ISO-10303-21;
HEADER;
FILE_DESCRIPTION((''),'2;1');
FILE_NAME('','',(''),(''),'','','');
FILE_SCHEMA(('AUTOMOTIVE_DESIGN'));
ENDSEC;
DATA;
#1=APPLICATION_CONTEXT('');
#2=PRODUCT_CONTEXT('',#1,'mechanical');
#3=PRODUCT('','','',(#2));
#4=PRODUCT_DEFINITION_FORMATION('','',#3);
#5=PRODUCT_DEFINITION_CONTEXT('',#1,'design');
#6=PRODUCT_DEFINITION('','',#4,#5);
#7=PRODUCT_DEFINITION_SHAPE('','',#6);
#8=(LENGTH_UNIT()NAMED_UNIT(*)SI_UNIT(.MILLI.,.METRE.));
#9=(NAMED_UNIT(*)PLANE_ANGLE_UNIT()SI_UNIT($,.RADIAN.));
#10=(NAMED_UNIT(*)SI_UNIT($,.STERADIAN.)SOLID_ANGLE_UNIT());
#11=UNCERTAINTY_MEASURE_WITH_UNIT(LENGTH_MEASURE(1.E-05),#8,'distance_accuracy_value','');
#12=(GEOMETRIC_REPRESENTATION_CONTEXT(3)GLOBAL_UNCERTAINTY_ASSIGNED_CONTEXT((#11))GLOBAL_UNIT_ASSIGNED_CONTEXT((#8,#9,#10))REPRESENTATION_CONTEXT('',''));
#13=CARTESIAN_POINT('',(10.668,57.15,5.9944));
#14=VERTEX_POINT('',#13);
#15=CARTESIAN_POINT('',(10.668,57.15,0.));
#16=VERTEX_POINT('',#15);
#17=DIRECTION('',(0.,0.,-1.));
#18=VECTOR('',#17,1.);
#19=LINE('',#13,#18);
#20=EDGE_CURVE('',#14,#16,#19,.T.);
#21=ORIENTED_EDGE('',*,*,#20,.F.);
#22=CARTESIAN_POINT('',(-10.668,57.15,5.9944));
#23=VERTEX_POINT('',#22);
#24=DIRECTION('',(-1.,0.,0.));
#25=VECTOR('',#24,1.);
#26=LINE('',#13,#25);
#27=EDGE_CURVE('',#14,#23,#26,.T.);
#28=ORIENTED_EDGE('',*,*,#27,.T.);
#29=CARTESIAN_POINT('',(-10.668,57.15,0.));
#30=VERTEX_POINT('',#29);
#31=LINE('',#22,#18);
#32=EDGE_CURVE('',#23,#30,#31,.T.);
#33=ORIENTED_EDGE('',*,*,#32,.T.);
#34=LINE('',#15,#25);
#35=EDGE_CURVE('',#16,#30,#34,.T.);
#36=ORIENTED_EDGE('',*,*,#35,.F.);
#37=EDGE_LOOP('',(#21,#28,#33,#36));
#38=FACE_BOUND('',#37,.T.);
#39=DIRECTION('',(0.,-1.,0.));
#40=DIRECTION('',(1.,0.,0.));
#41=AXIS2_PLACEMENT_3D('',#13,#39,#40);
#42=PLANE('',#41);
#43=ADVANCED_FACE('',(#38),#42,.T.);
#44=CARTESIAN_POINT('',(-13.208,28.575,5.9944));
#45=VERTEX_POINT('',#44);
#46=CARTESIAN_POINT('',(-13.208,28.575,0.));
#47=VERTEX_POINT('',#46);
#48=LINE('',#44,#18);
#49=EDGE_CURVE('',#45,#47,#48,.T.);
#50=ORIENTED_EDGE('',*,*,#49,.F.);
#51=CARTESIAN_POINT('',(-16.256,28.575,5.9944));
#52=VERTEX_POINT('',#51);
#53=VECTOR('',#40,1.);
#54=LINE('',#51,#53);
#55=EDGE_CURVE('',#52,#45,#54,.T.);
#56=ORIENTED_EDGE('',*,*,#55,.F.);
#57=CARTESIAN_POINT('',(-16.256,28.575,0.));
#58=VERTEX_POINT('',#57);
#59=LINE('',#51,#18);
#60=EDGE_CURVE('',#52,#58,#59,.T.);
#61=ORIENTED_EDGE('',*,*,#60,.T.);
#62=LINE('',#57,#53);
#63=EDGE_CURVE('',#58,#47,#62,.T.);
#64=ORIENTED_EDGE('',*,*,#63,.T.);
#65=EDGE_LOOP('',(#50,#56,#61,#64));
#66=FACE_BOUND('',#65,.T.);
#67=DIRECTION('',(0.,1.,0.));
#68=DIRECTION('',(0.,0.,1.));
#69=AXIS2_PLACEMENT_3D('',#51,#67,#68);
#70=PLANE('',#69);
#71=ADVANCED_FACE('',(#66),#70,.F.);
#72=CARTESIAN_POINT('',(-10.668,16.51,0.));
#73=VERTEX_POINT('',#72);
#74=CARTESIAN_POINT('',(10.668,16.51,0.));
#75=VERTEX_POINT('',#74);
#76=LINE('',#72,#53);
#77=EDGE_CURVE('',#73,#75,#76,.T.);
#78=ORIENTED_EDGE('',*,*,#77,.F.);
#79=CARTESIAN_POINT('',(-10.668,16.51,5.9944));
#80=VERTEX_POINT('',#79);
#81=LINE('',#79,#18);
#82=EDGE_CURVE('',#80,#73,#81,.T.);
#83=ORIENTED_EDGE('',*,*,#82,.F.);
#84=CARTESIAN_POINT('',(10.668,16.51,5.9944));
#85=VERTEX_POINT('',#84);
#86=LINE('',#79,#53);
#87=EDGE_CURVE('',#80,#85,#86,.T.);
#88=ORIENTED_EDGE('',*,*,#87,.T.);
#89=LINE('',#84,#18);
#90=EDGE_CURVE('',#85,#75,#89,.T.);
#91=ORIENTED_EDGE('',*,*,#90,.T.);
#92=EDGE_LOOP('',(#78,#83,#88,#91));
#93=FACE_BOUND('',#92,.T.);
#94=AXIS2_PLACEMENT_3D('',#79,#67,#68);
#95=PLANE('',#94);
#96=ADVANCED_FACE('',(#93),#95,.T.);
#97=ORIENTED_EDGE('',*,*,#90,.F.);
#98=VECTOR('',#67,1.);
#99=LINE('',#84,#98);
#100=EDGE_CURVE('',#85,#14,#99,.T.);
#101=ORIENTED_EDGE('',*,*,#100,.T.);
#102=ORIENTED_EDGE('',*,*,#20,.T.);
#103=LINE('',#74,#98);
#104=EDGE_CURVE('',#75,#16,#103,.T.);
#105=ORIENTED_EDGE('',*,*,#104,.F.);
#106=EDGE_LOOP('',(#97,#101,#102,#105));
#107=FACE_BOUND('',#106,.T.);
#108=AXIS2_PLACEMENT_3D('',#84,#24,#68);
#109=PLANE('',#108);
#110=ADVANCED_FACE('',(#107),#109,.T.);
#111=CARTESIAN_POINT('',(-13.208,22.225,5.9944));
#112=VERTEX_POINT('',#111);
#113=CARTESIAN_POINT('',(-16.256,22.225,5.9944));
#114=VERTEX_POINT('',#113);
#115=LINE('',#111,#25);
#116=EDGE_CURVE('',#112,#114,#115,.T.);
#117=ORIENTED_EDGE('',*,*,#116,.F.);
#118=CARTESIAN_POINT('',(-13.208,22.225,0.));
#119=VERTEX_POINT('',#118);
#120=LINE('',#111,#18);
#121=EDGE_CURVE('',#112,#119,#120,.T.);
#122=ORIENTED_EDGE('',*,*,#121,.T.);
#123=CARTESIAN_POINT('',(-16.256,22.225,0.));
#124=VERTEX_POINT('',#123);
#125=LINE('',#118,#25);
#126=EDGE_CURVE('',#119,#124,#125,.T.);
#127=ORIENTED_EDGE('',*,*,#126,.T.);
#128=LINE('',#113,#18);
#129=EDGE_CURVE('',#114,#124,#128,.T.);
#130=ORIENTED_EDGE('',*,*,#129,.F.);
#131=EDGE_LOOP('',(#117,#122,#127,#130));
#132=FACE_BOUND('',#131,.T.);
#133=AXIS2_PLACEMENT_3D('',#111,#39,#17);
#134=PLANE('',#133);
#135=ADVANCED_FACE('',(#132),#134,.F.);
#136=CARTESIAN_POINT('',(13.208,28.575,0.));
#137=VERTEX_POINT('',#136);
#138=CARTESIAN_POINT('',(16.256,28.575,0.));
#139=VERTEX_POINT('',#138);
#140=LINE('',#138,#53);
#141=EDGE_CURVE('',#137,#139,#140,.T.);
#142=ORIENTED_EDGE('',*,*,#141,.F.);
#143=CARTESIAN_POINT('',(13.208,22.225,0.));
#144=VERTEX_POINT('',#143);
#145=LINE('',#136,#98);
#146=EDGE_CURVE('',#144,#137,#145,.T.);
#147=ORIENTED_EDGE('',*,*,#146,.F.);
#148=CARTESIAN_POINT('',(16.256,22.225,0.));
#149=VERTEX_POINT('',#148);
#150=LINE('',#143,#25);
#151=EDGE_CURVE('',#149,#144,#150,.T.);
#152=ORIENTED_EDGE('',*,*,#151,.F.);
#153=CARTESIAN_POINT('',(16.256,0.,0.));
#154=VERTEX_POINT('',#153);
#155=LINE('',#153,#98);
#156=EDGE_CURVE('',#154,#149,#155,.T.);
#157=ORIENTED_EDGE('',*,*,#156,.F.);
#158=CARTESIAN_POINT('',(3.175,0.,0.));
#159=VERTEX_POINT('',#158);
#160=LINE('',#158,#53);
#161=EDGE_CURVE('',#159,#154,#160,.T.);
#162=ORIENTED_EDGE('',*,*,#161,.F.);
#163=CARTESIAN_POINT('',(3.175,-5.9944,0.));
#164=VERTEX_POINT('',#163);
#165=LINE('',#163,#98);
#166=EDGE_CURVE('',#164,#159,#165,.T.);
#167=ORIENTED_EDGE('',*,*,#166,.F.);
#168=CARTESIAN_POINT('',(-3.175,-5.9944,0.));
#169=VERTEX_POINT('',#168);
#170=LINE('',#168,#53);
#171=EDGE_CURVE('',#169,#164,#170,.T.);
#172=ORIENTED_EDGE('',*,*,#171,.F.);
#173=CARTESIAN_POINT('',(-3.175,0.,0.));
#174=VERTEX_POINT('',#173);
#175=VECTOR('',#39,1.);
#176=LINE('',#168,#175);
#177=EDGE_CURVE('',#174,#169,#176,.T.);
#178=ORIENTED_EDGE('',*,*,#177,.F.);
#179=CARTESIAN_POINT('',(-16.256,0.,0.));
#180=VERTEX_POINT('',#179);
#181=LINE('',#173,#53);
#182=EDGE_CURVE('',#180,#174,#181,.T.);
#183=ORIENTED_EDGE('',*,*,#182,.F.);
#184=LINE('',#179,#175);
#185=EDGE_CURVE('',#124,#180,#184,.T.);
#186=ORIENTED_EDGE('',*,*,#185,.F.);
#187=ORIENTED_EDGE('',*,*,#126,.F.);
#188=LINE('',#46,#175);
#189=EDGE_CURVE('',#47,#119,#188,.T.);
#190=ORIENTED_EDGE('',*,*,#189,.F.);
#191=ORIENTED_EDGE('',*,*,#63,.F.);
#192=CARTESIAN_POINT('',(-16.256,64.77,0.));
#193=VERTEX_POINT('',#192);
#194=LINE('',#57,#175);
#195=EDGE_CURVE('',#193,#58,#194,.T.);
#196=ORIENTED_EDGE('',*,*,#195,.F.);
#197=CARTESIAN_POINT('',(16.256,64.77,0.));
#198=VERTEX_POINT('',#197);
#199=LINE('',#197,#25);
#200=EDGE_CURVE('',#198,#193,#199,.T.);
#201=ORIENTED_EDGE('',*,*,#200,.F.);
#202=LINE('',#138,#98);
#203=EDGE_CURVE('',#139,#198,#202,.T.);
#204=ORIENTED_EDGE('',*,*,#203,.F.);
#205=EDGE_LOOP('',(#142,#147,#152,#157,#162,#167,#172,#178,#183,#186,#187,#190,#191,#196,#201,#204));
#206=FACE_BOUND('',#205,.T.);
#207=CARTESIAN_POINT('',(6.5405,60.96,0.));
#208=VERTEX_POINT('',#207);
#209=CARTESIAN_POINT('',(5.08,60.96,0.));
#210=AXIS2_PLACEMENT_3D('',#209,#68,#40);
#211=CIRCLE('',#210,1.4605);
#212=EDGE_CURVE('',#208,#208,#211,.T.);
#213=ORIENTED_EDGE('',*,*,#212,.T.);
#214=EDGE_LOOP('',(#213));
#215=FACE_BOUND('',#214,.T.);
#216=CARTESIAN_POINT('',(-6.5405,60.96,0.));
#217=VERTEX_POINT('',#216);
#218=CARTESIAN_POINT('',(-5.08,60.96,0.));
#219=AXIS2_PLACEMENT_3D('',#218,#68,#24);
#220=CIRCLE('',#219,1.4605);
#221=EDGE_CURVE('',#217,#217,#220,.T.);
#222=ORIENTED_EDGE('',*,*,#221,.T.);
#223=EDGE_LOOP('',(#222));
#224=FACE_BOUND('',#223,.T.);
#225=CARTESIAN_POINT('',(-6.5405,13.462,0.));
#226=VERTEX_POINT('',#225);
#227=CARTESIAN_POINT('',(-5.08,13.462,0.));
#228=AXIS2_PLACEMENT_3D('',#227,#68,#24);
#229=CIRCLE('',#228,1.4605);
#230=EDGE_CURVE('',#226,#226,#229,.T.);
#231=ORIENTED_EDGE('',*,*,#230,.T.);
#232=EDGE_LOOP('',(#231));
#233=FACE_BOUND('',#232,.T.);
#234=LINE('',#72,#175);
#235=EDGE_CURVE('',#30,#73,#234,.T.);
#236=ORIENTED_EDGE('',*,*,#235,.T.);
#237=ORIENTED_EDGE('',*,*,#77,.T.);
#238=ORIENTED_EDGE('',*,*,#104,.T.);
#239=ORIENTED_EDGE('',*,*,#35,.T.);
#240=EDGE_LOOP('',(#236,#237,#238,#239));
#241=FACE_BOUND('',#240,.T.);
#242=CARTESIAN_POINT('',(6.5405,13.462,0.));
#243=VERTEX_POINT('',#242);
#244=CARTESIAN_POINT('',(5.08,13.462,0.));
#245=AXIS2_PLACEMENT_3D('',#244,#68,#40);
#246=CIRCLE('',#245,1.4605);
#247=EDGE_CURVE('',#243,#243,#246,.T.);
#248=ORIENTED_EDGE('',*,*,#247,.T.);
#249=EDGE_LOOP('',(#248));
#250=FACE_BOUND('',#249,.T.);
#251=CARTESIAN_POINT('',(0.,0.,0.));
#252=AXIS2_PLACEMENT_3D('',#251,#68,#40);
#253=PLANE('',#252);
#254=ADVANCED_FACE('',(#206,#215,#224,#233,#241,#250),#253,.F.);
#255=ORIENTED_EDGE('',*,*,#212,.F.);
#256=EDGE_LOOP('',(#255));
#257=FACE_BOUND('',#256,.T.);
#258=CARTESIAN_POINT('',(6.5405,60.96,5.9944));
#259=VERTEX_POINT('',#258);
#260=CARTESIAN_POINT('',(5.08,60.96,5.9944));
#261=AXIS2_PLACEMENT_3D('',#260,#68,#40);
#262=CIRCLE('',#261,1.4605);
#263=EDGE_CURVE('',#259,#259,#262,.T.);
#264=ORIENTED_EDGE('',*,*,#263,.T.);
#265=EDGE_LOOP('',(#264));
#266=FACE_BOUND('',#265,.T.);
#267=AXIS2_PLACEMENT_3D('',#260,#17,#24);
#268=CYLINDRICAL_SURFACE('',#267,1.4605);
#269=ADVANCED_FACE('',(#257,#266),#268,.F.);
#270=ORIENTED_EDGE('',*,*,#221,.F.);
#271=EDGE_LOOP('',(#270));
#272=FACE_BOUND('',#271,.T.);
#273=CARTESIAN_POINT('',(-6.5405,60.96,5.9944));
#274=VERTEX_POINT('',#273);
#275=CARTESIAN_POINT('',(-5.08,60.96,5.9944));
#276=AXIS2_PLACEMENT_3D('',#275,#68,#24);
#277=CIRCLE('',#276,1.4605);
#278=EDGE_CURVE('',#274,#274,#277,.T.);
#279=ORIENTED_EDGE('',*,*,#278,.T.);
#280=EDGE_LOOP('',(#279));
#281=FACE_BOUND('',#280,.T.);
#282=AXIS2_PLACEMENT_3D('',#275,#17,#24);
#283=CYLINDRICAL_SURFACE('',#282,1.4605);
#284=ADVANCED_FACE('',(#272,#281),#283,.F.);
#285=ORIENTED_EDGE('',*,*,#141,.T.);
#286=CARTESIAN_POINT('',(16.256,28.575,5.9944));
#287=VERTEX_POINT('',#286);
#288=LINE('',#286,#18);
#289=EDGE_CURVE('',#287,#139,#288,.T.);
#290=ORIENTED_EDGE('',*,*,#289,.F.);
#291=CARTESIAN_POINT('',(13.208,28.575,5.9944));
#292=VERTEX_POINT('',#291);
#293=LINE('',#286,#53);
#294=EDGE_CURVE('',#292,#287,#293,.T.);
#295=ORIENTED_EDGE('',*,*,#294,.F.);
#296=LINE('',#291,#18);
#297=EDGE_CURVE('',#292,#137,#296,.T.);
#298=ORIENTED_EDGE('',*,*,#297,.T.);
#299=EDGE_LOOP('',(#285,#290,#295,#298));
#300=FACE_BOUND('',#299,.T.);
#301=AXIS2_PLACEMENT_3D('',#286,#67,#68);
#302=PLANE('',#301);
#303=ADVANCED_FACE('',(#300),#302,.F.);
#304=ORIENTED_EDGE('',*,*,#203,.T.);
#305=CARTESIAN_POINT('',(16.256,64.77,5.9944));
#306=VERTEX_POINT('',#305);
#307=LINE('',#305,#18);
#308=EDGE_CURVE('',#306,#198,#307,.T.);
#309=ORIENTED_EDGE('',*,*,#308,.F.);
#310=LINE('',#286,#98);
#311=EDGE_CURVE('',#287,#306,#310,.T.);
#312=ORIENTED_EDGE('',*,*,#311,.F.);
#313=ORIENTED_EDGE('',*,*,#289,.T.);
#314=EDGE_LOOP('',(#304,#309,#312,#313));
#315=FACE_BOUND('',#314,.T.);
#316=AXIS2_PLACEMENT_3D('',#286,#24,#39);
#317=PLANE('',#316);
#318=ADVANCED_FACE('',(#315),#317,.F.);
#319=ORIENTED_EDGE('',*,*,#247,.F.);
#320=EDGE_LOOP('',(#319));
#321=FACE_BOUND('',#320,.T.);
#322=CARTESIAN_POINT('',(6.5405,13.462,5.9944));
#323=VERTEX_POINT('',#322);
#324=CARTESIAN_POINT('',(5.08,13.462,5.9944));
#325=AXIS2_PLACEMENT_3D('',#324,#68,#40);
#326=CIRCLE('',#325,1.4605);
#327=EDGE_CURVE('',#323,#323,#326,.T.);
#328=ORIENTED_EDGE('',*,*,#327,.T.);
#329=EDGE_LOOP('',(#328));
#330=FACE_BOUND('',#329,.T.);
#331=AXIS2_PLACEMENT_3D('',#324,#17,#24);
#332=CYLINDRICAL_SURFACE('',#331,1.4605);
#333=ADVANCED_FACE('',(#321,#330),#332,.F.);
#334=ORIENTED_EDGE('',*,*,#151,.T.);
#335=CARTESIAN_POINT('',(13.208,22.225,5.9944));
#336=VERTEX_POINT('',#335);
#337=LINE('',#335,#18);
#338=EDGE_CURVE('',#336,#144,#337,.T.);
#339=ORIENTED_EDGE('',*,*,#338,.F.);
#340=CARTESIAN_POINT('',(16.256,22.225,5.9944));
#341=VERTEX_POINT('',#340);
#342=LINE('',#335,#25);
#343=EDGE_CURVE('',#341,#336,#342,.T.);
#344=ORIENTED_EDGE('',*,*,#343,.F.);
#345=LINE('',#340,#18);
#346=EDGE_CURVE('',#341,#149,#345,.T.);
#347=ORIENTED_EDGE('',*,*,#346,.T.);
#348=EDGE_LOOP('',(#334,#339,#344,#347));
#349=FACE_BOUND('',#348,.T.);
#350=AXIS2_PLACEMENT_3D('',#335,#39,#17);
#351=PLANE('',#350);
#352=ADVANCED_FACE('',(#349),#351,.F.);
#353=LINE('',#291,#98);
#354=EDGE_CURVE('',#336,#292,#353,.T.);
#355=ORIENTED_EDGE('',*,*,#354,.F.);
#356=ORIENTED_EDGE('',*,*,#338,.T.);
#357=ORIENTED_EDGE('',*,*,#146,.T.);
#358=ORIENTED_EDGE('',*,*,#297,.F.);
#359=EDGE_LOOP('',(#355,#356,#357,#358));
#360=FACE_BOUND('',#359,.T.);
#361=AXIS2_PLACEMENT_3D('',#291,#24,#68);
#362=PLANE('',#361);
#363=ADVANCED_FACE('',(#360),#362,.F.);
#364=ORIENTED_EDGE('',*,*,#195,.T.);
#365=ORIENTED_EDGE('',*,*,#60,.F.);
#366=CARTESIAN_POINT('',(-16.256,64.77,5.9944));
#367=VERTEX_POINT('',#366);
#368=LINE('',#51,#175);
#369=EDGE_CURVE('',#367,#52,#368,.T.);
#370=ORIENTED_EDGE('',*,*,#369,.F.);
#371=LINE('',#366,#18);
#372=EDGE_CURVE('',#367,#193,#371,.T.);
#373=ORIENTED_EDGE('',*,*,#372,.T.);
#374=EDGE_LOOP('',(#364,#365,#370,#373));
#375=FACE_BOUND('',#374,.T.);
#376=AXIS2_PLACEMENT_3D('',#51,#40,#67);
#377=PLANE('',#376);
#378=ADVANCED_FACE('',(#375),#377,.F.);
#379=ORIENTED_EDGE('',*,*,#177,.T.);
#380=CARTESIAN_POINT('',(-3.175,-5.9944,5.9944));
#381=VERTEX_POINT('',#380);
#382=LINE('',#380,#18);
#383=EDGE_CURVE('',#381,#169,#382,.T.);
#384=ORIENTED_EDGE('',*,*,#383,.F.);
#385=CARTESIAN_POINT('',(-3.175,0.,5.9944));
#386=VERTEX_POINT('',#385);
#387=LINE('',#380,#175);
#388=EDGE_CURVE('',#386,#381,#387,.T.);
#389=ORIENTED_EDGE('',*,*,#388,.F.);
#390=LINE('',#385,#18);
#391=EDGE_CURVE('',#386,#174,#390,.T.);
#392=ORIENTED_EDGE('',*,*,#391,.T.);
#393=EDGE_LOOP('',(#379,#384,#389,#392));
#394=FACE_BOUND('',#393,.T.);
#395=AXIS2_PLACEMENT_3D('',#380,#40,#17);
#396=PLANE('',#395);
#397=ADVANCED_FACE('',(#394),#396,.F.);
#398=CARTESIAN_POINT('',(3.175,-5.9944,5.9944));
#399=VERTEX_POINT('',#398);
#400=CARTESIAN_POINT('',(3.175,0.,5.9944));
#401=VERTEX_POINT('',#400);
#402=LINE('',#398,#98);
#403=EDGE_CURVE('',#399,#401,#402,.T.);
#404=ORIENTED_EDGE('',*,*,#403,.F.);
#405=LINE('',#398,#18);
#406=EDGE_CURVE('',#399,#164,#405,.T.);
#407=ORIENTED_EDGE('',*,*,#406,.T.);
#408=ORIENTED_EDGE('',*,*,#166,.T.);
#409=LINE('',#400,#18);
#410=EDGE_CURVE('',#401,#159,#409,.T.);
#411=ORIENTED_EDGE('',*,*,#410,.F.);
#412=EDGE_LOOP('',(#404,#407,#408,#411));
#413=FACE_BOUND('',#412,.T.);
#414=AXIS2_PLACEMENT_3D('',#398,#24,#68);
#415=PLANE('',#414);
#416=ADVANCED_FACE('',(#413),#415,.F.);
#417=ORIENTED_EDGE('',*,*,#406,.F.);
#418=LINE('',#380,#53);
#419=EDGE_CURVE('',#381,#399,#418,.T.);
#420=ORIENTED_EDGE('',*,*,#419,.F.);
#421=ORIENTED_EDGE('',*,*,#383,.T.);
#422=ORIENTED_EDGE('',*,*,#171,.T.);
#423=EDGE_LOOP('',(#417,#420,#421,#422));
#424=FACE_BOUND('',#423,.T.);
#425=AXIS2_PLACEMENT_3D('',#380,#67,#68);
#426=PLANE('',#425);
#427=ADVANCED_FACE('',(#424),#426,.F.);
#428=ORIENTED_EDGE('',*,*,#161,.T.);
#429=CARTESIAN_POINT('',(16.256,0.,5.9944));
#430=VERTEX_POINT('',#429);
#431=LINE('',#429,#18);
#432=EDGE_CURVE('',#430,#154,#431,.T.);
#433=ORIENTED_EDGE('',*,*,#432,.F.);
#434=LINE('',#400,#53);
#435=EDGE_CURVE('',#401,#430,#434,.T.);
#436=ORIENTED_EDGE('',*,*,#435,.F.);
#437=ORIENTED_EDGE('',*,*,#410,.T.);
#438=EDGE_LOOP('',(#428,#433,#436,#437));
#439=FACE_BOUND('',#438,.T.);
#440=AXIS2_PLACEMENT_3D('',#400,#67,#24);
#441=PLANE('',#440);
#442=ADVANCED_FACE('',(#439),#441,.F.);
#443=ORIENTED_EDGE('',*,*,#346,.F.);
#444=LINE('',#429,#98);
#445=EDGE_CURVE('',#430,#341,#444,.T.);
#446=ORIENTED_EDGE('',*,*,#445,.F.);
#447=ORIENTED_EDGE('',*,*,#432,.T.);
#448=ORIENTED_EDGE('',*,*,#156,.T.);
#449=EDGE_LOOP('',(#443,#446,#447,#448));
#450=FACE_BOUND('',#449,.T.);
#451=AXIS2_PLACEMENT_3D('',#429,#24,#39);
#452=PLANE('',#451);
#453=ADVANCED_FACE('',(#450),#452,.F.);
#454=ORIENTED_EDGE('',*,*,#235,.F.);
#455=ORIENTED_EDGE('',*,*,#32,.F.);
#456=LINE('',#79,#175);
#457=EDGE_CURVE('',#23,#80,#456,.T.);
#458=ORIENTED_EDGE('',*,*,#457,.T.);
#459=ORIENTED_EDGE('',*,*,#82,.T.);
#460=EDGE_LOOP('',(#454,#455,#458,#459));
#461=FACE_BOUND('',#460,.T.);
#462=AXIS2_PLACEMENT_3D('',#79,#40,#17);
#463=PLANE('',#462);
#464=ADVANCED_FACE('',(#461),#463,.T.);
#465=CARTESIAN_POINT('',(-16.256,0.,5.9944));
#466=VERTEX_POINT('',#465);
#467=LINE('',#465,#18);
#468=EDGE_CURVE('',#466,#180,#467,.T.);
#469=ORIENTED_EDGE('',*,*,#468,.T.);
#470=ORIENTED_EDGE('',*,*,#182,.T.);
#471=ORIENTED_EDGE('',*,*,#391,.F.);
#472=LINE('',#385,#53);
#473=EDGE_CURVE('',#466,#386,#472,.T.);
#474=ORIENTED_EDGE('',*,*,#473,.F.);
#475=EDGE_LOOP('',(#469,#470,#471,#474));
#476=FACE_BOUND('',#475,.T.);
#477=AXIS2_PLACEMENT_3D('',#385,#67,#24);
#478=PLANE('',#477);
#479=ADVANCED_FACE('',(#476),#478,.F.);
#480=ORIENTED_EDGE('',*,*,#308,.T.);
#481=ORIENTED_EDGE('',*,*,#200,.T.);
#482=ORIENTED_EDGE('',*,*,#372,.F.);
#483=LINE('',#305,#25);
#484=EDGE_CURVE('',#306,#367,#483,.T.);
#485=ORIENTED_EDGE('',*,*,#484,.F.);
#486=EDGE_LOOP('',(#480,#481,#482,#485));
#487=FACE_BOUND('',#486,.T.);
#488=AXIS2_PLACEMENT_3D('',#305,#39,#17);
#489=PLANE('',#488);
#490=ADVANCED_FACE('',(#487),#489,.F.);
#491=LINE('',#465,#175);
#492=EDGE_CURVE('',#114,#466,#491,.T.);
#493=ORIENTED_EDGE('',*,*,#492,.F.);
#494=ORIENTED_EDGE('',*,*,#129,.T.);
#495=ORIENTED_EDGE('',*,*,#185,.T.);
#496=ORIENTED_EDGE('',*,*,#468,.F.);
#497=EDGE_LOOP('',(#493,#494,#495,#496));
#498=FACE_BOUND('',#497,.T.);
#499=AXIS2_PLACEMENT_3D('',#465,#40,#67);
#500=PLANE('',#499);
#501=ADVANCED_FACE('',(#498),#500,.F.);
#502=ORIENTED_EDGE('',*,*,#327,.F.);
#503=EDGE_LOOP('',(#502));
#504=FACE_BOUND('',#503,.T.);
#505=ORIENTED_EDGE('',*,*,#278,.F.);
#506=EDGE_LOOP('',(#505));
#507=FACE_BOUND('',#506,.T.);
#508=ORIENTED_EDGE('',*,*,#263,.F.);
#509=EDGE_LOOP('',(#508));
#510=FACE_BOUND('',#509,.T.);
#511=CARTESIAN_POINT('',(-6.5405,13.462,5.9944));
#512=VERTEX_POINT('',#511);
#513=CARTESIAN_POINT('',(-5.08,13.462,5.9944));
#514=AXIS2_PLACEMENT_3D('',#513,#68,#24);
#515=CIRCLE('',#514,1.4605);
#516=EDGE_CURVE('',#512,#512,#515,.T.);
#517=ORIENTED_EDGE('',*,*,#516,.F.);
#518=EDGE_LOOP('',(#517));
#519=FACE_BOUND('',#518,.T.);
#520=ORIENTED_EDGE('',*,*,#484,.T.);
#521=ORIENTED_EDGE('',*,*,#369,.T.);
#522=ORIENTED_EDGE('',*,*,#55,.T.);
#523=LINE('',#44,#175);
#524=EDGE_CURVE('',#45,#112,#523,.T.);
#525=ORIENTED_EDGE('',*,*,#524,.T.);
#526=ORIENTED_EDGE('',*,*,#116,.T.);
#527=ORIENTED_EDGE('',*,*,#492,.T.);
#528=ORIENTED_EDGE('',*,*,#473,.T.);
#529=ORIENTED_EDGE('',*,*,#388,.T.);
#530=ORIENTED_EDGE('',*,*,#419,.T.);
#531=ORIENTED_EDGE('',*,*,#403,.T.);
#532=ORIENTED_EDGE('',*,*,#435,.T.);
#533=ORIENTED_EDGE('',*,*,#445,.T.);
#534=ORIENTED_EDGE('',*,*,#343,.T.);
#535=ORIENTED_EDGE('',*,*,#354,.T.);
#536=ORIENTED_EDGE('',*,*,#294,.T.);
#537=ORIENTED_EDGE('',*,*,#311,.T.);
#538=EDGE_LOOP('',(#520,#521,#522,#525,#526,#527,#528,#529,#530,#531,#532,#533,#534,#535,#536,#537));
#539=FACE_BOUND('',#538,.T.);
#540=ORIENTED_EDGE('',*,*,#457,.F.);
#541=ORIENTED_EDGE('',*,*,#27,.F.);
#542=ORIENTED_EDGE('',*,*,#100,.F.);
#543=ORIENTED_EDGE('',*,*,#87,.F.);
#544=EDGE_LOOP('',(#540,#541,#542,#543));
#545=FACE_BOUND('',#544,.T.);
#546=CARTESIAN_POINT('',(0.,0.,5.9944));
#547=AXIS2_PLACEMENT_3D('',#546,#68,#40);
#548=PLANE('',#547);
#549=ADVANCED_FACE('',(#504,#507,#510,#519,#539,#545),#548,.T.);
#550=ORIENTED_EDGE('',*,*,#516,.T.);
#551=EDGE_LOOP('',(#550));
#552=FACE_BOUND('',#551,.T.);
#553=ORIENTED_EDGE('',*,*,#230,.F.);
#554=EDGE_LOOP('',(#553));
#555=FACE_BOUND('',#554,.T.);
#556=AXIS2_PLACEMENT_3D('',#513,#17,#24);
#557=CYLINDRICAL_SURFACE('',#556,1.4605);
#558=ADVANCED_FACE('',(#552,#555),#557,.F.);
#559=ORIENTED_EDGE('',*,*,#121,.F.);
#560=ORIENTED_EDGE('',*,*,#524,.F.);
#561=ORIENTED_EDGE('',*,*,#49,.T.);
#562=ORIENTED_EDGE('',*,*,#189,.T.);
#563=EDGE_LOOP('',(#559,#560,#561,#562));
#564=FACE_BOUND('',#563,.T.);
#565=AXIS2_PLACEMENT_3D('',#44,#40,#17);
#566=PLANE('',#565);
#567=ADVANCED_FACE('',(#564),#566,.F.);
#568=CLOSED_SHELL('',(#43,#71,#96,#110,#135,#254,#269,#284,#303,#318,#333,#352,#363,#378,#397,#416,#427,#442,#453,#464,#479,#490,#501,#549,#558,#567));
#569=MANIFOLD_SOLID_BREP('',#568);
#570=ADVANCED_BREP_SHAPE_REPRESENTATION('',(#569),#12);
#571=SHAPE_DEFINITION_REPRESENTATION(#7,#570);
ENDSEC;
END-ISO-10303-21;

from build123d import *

# Parameters (mm, degrees)
SKETCH1_R           = 1.4605
SKETCH1_W           = 21.336
SKETCH1_H           = 40.64
BOSS_EXTRUDE1_DEPTH = 5.9944


with BuildPart() as part:
    # Sketch1 → Boss-Extrude1 (new body)
    with BuildSketch(Plane.XY):
        Polygon((-3.175, -5.9944), (3.175, -5.9944), (3.175, 0), (16.256, 0), (16.256, 22.225), (13.208, 22.225), (13.208, 28.575), (16.256, 28.575), (16.256, 64.77), (-16.256, 64.77), (-16.256, 28.575), (-13.208, 28.575), (-13.208, 22.225), (-16.256, 22.225), (-16.256, 0), (-3.175, 0), align=None)
        with Locations((5.08, 60.96)):
            Circle(SKETCH1_R, mode=Mode.SUBTRACT)
        with Locations((5.08, 13.462)):
            Circle(SKETCH1_R, mode=Mode.SUBTRACT)
        with Locations((-5.08, 13.462)):
            Circle(SKETCH1_R, mode=Mode.SUBTRACT)
        with Locations((-5.08, 60.96)):
            Circle(SKETCH1_R, mode=Mode.SUBTRACT)
        with Locations((0, 36.83)):
            Rectangle(SKETCH1_W, SKETCH1_H, mode=Mode.SUBTRACT)
    extrude(amount=BOSS_EXTRUDE1_DEPTH)


solid = part.part
